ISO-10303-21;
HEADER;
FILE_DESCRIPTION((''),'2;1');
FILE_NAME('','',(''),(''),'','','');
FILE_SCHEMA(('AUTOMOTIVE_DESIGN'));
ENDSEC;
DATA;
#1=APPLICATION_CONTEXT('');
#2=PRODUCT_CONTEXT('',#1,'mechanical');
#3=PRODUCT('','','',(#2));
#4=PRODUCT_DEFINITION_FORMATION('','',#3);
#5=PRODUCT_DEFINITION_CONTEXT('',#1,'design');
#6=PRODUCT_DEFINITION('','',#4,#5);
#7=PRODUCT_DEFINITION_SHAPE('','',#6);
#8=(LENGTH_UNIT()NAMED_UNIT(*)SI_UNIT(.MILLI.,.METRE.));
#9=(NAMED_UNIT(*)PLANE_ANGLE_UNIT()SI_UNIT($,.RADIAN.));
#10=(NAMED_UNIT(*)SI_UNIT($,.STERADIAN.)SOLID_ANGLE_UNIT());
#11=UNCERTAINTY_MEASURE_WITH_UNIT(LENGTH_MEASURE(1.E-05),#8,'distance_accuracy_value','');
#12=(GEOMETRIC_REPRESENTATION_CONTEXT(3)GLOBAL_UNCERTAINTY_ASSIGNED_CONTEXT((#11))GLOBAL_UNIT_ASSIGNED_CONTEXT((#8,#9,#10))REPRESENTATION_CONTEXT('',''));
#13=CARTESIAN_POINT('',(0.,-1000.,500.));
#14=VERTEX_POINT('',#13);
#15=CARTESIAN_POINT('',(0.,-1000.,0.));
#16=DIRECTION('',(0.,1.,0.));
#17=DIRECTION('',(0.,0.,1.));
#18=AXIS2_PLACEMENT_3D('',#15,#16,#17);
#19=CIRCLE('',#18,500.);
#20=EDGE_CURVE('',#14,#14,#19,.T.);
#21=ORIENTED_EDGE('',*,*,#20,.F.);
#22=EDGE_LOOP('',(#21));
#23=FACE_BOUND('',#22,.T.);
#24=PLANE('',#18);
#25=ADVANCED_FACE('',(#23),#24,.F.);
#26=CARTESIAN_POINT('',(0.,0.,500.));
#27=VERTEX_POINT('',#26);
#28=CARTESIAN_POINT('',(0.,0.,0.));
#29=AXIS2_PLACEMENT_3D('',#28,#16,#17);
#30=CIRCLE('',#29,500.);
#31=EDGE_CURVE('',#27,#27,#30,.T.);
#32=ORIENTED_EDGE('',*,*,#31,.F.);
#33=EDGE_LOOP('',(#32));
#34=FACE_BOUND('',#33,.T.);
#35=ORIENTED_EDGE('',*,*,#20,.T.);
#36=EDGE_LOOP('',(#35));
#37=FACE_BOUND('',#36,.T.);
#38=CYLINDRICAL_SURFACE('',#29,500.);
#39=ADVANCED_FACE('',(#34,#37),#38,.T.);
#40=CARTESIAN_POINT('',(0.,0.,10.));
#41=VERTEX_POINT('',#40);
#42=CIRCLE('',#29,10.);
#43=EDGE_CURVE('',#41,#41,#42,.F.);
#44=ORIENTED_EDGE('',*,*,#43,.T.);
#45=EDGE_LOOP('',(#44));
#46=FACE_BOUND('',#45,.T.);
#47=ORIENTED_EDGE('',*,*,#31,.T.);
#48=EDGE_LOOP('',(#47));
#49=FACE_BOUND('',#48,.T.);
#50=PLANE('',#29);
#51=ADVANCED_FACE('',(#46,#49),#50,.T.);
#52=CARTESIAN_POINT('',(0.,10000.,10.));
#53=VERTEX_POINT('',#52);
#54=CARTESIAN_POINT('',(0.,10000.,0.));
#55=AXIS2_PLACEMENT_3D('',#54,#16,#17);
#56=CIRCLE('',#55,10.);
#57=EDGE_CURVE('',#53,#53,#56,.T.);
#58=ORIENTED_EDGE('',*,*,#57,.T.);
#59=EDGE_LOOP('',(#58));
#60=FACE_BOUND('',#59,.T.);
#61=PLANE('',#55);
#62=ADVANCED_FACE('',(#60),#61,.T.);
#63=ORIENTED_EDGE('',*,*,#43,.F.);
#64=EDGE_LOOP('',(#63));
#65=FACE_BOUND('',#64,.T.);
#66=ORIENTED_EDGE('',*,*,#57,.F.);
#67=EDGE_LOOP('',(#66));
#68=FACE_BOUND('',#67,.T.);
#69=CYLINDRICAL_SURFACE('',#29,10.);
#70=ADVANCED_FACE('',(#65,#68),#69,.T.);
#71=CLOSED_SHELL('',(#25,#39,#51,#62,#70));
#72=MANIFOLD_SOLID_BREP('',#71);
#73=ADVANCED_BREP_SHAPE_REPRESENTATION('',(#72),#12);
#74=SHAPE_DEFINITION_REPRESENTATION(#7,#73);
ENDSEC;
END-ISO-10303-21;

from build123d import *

# Parameters (mm, degrees)
SKETCH_1_W   = 500
SKETCH_1_H   = 1000
SKETCH_1_W_2 = 10
SKETCH_1_H_2 = 10000


with BuildPart() as part:
    # ｽｹｯﾁ1 → 回転1 (revolve)
    with BuildSketch(Plane.XY, mode=Mode.PRIVATE) as revolve_1_sk:
        with Locations((-250, -500)):
            Rectangle(SKETCH_1_W, SKETCH_1_H)
        with Locations((-5, 5000)):
            Rectangle(SKETCH_1_W_2, SKETCH_1_H_2)
    revolve(revolve_1_sk.sketch.rotate(Axis((0, 0, 0), (0, -1, 0)), 270), axis=Axis((0, 0, 0), (0, -1, 0)))


solid = part.part
